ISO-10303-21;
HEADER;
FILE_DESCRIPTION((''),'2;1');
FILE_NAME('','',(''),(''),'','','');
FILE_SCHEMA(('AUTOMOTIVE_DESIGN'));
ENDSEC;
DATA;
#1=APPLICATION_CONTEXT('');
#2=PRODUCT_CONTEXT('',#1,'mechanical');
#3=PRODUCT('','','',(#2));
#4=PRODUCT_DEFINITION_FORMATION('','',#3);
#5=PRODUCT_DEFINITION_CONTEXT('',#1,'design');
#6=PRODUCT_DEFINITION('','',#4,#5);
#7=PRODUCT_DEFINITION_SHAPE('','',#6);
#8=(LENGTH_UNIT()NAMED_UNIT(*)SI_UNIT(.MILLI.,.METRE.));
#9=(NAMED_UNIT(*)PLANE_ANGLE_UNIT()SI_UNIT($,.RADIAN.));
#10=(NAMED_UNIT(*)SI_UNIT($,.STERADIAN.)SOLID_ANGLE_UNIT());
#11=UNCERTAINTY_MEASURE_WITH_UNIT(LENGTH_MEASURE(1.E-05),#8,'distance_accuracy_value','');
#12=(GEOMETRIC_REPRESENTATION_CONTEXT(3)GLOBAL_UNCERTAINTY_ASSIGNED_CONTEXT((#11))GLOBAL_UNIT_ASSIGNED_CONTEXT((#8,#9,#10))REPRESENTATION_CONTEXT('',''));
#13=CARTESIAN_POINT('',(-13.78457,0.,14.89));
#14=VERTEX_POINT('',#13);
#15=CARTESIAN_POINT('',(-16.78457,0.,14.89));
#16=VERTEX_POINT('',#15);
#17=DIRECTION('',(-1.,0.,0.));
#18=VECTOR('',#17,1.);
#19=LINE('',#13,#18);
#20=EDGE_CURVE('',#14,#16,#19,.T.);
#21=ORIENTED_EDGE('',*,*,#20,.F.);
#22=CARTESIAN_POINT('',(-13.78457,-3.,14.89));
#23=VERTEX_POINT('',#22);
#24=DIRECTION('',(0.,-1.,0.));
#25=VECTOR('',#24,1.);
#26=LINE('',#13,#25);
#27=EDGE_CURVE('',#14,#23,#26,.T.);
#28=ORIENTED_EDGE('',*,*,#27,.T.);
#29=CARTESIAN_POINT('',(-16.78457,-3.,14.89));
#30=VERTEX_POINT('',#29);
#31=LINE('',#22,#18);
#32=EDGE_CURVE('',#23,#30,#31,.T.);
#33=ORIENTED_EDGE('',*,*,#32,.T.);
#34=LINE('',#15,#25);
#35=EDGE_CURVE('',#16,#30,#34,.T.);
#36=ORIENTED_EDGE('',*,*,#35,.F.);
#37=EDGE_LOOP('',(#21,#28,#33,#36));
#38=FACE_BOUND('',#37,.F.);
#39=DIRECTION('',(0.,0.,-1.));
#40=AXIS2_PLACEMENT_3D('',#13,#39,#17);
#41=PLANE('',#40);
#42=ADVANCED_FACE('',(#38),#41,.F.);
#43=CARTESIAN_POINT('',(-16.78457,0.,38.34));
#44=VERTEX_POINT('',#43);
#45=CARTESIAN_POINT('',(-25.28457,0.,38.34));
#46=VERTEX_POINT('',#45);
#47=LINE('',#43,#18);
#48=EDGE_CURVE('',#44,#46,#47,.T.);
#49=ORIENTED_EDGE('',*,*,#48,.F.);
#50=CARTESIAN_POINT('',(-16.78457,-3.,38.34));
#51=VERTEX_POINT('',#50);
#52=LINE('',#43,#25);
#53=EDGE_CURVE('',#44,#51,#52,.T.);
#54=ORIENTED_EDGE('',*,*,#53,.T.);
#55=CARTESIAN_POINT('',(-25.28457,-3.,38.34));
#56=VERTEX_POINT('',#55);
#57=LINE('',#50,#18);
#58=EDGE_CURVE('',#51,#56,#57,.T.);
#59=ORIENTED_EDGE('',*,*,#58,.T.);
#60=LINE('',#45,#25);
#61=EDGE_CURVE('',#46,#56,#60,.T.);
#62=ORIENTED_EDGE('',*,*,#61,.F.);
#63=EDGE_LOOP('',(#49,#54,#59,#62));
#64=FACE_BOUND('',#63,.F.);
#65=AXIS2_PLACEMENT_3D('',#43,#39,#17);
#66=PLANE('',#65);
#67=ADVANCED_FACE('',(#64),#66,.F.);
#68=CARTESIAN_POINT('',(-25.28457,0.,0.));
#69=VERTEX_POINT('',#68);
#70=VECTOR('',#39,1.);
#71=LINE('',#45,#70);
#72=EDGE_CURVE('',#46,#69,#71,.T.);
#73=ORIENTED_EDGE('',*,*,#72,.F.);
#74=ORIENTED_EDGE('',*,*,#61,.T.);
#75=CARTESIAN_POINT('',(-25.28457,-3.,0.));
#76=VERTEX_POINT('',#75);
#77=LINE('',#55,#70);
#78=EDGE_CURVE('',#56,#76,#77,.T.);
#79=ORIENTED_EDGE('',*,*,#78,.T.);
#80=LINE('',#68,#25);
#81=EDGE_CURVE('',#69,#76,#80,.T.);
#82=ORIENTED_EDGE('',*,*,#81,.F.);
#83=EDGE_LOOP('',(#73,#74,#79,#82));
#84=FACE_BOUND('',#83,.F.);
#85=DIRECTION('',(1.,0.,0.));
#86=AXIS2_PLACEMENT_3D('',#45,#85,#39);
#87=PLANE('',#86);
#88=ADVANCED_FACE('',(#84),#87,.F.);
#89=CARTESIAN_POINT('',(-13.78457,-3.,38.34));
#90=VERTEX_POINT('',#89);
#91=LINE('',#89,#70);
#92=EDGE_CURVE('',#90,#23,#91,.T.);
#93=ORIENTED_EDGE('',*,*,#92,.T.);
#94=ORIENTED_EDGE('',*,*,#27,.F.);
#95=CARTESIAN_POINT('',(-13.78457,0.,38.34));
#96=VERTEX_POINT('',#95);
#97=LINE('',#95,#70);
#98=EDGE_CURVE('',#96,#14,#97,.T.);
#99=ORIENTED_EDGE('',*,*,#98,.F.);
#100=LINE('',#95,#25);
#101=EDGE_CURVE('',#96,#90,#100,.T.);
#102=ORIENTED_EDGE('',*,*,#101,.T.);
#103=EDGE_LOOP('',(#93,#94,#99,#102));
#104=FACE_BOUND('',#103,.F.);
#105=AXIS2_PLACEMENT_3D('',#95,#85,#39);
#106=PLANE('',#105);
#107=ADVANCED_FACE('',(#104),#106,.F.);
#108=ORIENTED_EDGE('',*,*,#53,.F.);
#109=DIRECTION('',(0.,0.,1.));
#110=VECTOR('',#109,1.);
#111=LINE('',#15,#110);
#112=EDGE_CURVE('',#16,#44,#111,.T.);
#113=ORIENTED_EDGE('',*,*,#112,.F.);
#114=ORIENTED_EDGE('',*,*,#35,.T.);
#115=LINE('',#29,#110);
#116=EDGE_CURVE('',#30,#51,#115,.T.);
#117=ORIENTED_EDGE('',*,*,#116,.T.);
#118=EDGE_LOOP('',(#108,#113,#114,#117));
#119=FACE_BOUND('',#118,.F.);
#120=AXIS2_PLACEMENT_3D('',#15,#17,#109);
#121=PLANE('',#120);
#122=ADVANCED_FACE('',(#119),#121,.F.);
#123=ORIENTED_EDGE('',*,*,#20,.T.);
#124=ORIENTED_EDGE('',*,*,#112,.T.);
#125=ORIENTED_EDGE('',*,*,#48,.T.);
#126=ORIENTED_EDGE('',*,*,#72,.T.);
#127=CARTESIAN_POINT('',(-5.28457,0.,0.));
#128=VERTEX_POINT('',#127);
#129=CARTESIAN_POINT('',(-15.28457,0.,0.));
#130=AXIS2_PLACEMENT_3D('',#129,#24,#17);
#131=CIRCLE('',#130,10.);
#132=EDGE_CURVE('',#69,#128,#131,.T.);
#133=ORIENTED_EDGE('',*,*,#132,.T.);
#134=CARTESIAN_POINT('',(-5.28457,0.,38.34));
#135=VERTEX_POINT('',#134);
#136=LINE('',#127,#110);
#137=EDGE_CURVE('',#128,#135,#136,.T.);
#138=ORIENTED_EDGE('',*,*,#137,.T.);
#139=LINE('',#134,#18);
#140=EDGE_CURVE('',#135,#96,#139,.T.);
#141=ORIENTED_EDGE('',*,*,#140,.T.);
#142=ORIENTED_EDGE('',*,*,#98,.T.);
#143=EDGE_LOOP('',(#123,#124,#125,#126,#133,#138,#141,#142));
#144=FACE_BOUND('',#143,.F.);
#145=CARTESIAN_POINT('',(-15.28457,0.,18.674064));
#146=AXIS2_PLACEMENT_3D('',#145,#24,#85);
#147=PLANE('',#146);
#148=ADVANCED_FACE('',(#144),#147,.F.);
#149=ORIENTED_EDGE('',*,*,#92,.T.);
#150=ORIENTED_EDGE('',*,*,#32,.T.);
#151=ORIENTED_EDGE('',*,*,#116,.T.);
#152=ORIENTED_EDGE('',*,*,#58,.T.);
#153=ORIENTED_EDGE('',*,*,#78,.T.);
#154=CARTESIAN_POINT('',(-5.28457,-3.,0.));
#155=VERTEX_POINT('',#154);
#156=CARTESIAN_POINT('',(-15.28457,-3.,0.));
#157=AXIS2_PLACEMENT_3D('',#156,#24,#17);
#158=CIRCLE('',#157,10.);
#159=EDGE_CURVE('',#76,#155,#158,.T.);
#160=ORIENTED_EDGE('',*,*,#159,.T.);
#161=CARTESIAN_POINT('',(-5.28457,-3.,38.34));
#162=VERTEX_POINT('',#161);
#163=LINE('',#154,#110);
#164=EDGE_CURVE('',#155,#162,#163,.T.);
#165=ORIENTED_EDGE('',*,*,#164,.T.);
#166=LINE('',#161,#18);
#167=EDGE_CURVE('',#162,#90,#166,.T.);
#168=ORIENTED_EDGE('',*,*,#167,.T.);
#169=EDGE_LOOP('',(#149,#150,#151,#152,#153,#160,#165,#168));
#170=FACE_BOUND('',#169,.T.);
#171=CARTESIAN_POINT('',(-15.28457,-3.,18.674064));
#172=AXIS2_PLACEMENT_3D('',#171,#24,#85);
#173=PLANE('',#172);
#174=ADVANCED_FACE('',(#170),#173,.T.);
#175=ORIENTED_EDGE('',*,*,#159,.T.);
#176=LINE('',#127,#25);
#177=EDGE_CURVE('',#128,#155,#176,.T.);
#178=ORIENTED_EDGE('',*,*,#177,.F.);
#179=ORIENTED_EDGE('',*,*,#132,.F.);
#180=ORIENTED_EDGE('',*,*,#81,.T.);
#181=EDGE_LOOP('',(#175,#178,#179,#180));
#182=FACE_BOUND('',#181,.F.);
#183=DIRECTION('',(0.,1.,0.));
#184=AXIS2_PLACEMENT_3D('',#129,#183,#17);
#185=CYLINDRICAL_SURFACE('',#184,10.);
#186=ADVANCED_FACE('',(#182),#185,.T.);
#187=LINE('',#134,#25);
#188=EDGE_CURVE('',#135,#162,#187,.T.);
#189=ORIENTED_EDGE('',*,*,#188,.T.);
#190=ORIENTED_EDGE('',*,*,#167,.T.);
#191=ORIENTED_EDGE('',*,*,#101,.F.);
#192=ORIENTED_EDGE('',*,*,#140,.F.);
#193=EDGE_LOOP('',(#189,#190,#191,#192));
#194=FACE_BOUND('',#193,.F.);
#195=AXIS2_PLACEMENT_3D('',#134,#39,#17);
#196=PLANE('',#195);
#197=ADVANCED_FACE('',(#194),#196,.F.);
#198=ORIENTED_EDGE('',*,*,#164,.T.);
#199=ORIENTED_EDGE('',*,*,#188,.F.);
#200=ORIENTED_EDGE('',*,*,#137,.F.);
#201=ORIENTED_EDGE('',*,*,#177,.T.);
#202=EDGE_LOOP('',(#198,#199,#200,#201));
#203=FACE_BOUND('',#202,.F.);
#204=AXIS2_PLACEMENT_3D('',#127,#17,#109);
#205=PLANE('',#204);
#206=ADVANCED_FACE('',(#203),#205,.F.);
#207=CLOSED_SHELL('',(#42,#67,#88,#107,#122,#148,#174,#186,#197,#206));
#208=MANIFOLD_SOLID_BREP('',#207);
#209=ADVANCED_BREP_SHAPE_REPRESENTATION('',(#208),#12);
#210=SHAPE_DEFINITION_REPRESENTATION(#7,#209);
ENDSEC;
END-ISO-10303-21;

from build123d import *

# Parameters (mm, degrees)
F1_DEPTH = 3


with BuildPart() as f1:
    # F0 (on Front) → F1 (new body)
    with BuildSketch(Plane.XZ):
        with BuildLine():
            Line((-16.78457, 38.34), (-25.28457, 38.34))
            Line((-25.28457, 38.34), (-25.28457, 0))
            ThreePointArc((-25.28457, 0), (-15.28457, -10), (-5.28457, 0))
            Line((-5.28457, 0), (-5.28457, 38.34))
            Line((-5.28457, 38.34), (-13.78457, 38.34))
            Line((-13.78457, 38.34), (-13.78457, 14.89))
            Line((-13.78457, 14.89), (-16.78457, 14.89))
            Line((-16.78457, 14.89), (-16.78457, 38.34))
        make_face()
    extrude(amount=F1_DEPTH)


solid = f1.part
